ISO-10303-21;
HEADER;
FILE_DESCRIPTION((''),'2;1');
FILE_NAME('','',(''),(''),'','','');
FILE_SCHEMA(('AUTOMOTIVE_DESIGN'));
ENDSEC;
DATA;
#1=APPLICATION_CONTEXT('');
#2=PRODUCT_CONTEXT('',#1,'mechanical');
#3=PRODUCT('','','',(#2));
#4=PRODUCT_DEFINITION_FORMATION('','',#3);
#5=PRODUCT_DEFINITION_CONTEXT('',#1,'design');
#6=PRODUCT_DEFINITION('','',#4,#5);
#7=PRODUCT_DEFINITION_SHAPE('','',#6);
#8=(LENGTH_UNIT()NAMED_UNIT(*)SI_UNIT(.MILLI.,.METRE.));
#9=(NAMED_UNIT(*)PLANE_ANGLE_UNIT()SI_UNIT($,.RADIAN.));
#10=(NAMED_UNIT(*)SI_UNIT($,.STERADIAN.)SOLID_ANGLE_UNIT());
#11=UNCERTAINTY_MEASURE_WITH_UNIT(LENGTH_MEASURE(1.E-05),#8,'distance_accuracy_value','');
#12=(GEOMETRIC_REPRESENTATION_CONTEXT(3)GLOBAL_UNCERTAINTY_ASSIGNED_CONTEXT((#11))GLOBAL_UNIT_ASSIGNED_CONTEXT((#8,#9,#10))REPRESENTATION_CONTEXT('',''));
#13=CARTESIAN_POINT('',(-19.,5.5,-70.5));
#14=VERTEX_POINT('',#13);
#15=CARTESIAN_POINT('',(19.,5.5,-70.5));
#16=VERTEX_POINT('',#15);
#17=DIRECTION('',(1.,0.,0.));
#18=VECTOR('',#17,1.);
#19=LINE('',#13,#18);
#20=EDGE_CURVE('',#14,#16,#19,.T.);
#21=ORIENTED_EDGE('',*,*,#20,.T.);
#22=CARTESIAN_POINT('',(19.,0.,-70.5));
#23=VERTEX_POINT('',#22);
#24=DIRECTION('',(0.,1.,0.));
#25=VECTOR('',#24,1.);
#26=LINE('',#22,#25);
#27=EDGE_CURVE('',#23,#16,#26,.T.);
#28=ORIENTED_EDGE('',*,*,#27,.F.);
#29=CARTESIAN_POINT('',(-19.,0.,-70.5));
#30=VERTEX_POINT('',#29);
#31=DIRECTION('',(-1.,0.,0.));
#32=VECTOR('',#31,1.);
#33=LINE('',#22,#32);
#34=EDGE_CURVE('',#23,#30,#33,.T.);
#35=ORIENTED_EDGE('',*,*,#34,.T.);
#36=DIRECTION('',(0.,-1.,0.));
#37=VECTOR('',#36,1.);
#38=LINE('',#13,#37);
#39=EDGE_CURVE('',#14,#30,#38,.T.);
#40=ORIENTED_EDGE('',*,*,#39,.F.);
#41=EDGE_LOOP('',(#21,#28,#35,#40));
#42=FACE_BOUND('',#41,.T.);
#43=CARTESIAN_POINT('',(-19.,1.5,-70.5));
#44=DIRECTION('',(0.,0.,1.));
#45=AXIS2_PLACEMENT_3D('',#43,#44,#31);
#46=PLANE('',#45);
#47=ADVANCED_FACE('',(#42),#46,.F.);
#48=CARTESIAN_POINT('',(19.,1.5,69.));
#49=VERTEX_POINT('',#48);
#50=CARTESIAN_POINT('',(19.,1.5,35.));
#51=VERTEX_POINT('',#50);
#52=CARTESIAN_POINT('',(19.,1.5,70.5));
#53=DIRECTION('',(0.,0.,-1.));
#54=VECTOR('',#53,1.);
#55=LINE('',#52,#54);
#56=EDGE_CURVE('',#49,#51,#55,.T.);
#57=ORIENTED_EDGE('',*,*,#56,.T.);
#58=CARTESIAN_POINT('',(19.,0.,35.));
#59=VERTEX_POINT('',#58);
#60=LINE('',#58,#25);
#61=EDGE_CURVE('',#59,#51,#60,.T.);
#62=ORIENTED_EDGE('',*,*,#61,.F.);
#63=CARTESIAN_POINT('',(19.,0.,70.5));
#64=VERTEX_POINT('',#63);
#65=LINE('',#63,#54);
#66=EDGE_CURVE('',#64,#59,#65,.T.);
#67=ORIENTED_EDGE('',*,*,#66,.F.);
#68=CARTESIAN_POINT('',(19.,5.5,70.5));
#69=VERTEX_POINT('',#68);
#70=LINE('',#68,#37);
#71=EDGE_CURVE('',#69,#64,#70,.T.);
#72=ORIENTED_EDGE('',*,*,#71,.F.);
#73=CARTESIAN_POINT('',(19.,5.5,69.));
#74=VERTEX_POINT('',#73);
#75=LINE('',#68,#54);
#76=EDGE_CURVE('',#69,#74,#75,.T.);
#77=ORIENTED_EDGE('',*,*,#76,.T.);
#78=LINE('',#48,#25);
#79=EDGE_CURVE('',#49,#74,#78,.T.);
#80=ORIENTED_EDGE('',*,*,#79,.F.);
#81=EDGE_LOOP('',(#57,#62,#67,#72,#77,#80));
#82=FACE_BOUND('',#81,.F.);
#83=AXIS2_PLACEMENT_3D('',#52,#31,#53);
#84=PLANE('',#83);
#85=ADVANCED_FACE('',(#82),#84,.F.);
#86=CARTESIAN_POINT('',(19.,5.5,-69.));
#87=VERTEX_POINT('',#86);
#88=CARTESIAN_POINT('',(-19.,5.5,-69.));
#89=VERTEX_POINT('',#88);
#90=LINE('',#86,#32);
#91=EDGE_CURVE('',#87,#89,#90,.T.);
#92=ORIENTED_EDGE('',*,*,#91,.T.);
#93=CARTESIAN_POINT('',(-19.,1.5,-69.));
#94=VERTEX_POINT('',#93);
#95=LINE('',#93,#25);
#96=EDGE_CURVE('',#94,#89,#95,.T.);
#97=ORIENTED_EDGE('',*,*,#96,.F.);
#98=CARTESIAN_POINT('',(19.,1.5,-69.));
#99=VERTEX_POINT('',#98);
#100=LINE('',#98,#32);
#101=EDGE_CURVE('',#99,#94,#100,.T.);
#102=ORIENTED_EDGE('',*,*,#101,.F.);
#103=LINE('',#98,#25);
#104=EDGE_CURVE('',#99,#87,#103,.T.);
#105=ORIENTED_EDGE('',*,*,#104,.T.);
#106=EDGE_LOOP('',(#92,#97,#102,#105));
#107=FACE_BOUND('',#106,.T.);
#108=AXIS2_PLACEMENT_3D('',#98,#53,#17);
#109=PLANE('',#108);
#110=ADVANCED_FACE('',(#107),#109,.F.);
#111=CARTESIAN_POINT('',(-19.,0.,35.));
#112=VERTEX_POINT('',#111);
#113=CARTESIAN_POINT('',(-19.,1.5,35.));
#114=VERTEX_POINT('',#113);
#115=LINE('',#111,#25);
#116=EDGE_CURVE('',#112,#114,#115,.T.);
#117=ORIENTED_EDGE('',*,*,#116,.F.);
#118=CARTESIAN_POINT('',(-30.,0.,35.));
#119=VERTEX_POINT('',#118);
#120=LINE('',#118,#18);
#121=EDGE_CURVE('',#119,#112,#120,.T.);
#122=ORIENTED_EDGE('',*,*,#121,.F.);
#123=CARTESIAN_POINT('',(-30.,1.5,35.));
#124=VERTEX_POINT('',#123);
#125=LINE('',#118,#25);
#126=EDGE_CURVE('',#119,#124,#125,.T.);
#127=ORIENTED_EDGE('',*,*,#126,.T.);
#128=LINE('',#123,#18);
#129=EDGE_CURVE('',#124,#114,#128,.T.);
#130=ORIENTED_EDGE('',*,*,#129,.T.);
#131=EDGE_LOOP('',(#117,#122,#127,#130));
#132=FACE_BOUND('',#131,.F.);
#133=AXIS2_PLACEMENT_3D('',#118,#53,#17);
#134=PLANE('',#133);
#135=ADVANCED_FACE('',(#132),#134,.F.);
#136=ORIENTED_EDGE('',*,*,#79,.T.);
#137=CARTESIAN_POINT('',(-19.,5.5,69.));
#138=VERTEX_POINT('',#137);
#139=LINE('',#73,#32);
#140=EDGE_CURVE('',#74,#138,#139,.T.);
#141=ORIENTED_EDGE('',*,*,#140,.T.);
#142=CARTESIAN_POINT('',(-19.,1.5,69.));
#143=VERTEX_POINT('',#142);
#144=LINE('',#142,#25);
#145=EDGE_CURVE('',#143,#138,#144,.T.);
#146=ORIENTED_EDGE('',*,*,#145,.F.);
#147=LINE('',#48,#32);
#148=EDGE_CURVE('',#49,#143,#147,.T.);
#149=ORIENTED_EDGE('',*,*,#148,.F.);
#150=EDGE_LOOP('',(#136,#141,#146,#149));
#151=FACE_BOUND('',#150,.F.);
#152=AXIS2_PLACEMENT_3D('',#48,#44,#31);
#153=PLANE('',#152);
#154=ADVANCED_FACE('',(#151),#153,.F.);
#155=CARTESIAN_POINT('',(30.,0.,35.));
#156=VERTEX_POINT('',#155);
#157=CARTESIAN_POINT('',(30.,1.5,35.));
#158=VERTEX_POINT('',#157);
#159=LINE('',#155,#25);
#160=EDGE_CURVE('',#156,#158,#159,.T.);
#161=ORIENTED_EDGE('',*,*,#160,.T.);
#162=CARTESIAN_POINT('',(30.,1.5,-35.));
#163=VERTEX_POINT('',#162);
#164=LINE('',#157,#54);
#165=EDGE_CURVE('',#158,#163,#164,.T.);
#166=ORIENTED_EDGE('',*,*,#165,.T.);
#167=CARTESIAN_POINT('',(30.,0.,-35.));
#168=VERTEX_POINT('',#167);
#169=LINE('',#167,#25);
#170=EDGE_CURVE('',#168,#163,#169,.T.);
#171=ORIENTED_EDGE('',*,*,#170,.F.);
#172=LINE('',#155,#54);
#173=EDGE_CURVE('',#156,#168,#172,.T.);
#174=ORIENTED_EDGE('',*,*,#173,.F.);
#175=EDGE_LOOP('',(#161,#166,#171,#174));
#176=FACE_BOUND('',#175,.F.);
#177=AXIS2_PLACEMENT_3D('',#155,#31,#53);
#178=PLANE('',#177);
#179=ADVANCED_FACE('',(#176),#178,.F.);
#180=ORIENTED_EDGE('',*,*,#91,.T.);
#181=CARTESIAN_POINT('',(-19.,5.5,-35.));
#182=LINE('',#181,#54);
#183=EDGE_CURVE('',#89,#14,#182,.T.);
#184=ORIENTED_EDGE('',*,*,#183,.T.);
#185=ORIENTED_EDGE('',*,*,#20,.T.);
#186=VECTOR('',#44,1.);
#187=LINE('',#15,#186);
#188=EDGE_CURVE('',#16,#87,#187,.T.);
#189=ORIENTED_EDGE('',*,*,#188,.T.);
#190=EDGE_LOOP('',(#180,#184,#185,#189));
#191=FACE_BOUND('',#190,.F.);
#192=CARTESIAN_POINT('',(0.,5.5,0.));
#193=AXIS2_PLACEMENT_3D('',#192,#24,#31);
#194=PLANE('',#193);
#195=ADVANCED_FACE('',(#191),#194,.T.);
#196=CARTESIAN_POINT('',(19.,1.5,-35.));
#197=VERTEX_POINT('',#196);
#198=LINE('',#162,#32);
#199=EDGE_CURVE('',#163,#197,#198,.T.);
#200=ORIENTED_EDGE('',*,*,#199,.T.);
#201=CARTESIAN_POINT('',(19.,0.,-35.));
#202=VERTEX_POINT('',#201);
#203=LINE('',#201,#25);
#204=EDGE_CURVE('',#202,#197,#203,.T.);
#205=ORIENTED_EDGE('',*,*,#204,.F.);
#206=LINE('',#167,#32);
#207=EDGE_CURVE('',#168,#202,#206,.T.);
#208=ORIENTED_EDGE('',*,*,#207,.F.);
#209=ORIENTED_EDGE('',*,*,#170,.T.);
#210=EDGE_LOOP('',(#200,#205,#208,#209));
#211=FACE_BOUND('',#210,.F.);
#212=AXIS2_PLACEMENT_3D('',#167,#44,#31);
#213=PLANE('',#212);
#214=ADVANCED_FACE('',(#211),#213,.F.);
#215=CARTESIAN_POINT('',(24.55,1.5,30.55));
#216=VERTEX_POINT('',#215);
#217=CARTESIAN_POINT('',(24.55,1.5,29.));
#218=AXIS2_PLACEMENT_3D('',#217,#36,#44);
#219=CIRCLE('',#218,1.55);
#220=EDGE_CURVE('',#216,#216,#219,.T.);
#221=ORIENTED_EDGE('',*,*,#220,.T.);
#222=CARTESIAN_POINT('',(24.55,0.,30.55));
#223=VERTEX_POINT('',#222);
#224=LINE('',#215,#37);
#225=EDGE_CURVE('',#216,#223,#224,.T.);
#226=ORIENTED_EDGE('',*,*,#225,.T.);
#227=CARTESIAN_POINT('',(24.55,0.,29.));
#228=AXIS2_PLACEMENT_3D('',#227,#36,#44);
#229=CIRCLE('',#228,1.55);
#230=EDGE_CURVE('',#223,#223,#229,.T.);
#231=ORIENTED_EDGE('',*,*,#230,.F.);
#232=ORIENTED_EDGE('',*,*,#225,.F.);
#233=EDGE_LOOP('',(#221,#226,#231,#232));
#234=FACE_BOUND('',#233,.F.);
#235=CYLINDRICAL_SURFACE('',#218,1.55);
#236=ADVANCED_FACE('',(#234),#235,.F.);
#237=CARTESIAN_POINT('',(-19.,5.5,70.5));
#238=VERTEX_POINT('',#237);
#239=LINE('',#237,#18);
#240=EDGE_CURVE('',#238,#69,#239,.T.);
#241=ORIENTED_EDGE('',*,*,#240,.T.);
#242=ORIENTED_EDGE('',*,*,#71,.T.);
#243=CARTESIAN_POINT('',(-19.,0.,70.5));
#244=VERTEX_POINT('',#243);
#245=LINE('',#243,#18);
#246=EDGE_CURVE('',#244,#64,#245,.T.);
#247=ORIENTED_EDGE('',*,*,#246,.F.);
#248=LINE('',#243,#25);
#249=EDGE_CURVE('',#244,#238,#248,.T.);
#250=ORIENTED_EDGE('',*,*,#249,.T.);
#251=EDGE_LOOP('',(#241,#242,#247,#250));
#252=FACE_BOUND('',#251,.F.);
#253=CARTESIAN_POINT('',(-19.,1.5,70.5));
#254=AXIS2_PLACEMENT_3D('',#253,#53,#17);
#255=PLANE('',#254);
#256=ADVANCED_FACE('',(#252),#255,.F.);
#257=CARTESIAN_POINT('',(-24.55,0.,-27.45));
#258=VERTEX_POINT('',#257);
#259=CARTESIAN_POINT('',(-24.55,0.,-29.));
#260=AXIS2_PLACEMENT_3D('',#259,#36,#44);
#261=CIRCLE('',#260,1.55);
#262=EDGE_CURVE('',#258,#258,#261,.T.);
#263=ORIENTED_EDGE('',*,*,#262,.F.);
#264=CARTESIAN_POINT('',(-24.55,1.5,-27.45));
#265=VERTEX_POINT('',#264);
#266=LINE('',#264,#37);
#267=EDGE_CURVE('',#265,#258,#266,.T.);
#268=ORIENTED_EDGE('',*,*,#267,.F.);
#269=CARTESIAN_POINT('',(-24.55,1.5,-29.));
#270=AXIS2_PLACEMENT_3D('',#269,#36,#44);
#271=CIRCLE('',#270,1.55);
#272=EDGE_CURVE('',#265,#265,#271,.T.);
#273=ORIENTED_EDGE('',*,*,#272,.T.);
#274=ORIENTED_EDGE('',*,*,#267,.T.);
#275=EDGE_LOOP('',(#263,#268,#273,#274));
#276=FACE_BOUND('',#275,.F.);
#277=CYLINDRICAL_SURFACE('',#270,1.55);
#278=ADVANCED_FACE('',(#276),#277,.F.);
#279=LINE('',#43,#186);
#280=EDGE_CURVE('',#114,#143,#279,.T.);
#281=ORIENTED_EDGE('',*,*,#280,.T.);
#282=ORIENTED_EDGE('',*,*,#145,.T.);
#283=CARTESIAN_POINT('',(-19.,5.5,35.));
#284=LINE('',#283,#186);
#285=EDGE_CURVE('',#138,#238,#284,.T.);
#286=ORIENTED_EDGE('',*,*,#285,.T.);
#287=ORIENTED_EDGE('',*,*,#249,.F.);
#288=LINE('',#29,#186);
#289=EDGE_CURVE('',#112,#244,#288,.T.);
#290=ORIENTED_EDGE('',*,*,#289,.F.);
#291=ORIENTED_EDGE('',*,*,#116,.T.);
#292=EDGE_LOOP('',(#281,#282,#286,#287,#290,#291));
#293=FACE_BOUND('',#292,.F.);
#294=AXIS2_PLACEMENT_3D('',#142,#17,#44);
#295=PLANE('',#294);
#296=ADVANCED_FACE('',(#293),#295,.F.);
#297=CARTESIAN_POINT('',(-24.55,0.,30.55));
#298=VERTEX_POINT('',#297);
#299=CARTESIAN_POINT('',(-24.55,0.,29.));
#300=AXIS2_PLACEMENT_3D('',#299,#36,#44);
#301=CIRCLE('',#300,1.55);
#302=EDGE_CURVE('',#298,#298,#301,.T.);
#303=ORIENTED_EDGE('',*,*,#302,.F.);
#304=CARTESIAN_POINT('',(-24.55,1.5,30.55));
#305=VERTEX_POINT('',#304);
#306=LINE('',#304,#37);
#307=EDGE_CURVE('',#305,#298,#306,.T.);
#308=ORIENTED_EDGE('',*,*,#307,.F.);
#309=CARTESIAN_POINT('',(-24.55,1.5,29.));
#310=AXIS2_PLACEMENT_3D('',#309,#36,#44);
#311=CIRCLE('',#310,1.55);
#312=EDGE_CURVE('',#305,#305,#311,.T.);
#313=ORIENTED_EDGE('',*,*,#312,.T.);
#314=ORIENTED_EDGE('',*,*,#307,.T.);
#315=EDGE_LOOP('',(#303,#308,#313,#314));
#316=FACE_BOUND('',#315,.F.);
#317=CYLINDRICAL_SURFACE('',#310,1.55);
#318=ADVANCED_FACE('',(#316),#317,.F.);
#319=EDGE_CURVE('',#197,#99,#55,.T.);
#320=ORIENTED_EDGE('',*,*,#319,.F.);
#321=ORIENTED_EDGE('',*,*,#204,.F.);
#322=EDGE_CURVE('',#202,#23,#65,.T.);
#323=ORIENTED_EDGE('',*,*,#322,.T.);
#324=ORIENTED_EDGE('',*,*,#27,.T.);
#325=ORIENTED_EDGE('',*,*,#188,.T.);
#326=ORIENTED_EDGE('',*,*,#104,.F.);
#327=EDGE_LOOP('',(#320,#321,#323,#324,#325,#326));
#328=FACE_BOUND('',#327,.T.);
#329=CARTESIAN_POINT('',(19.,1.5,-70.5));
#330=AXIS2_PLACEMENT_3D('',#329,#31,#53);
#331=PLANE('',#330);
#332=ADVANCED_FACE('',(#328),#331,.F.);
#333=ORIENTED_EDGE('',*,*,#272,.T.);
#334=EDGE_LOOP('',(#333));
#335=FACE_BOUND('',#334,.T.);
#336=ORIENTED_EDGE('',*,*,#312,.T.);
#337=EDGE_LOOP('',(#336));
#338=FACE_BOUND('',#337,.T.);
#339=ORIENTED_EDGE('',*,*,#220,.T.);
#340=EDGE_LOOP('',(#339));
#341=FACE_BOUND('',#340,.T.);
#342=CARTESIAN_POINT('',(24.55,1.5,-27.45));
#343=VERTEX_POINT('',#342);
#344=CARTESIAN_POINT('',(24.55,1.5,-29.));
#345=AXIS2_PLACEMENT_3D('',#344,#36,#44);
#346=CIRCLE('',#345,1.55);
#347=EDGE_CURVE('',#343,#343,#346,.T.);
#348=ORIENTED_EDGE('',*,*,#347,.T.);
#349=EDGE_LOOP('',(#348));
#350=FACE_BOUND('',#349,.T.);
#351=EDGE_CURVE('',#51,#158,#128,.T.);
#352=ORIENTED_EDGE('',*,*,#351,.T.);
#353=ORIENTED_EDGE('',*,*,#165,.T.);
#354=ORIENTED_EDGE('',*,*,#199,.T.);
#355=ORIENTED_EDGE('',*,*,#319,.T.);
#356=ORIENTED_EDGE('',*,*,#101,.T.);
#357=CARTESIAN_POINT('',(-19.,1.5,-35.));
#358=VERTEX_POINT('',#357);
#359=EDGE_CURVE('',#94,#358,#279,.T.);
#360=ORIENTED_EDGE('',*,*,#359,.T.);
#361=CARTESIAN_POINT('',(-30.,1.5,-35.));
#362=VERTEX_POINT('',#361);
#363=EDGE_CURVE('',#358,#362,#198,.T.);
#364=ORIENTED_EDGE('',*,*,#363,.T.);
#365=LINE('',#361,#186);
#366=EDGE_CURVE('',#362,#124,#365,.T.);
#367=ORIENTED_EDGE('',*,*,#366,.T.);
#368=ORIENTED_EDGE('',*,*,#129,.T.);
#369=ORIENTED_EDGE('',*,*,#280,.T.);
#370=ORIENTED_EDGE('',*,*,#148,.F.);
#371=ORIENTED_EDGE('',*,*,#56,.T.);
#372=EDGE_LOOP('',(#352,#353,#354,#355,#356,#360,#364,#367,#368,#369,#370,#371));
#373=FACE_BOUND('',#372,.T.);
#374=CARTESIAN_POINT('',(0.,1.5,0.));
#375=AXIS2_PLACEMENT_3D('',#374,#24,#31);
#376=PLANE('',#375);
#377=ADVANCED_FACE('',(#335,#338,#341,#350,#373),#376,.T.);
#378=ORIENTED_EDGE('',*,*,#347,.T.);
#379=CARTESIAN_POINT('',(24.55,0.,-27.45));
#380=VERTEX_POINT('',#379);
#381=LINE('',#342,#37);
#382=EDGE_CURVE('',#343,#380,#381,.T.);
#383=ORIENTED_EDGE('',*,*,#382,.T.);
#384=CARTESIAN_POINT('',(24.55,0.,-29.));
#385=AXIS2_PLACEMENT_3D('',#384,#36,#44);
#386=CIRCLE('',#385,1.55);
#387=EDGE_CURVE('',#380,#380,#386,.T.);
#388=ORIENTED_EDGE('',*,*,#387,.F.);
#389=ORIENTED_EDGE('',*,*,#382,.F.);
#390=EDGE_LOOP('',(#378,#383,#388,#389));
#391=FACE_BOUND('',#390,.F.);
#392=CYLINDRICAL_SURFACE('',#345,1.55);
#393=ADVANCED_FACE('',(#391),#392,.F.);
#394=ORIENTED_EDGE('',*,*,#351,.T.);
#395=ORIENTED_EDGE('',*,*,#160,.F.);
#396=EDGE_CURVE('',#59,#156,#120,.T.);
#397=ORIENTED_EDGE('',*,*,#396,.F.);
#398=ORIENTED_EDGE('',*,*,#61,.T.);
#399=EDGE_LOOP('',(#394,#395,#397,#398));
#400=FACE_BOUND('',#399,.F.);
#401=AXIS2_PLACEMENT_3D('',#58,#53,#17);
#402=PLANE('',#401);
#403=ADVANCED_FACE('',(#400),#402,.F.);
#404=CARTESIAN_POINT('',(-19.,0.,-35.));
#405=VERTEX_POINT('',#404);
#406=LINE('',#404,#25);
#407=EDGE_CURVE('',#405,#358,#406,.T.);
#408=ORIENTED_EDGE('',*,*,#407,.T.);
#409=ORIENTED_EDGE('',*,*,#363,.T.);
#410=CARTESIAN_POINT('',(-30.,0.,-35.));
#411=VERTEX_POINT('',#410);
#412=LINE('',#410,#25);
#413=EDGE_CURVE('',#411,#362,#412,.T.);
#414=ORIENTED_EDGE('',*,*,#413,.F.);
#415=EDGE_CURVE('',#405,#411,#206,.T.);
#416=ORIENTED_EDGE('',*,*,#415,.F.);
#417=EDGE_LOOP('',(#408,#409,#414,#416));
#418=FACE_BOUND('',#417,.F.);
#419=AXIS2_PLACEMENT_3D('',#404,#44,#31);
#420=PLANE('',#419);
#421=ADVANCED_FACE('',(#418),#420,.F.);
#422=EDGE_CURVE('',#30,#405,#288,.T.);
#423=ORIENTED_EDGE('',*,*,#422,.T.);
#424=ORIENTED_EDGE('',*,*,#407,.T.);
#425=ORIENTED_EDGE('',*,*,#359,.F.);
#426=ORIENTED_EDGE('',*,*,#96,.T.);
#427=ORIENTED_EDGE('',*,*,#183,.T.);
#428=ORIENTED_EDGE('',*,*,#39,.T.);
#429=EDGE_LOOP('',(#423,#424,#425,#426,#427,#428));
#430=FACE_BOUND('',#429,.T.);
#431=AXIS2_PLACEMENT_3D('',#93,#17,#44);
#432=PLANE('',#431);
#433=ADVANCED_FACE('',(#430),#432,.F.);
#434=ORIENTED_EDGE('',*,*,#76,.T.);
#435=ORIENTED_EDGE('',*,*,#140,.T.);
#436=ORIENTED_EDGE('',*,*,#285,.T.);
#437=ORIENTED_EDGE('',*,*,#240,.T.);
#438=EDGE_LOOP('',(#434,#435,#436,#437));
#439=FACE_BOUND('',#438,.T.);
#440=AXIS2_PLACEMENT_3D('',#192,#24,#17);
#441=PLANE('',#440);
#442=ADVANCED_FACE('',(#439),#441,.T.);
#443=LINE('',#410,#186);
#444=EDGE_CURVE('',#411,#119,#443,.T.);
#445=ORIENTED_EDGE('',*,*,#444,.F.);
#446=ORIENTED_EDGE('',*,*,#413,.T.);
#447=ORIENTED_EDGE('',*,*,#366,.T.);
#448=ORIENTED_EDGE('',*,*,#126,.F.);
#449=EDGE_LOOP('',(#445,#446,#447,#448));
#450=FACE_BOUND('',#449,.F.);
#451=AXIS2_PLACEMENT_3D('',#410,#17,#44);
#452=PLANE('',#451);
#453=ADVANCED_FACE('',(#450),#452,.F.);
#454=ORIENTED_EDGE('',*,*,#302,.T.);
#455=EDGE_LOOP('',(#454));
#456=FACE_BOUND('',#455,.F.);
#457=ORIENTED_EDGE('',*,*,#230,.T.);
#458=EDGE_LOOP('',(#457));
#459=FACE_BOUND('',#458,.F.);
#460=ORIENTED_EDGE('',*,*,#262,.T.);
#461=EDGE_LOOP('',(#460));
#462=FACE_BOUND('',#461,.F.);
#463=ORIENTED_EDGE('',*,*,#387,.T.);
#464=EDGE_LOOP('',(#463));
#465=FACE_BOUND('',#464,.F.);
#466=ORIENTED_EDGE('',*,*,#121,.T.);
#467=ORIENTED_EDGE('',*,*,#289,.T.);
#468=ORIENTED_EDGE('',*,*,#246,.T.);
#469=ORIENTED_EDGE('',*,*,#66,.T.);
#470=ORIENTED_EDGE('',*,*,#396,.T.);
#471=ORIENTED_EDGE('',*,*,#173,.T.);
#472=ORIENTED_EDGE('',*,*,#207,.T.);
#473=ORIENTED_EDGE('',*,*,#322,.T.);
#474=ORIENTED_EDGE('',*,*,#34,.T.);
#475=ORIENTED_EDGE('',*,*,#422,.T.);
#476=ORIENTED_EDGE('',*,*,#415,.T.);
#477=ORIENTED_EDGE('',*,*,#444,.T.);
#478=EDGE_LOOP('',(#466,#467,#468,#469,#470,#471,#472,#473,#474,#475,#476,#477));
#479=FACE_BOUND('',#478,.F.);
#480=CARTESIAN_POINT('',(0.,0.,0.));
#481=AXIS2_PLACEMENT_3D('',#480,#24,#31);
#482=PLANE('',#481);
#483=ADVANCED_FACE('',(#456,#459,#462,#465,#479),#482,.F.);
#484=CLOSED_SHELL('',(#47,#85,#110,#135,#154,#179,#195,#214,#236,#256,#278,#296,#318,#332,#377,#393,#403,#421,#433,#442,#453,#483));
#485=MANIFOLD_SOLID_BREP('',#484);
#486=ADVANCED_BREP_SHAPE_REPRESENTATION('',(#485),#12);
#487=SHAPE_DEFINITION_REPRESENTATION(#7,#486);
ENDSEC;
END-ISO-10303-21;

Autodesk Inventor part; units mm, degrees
ref_plane "YZ Plane" through (0, 0, 0) normal (1, 0, 0) x (0, 1, 0)
ref_plane "XZ Plane" through (0, 0, 0) normal (0, 1, 0) x (-1, 0, 0)
ref_plane "XY Plane" through (0, 0, 0) normal (0, 0, 1) x (1, 0, 0)
sketch "Boceto1" plane through (0, 0, 0) normal (0, 1, 0) x (-1, 0, 0)
  line L0 (-19, -70.5) -> (19, -70.5)
  line L1 (19, -70.5) -> (19, 70.5)
  line L2 (19, 70.5) -> (-19, 70.5)
  line L3 (-19, 70.5) -> (-19, -70.5)
  line L4 (-19, -70.5) -> (19, 70.5) construction
  line L5 (19, -70.5) -> (-19, 70.5) construction
  line L6 (-30, -35) -> (30, -35)
  line L7 (30, -35) -> (30, 35)
  line L8 (30, 35) -> (-30, 35)
  line L9 (-30, 35) -> (-30, -35)
  line L10 (-30, -35) -> (30, 35) construction
  line L11 (30, -35) -> (-30, 35) construction
  point P0 (0, 0)
  point P1 (-19, 35)
  point P2 (-19, -35)
  point P3 (19, -35)
  point P4 (19, 35)
  dimension "d0" = 141
  dimension "d1" = 38
  dimension "d2" = 70
  dimension "d3" = 60
extrude "Extrusión1" add sketch "Boceto1" along normal blind 1.5
sketch "Boceto2" plane through (0, 1.5, 0) normal (0, 1, 0) x (1, 0, 0)
  line L0 (24.55, 29) -> (-24.55, 29)
  line L1 (-24.55, 29) -> (-24.55, -29)
  line L2 (-24.55, -29) -> (24.55, -29)
  line L3 (24.55, -29) -> (24.55, 29)
  line L4 (24.55, 29) -> (-24.55, -29) construction
  line L5 (-24.55, 29) -> (24.55, -29) construction
  point P0 (0, 0)
  dimension "d6" = 49.1
  dimension "d7" = 58
hole "Agujero1" at (-24.55, 1.5, 29) at (-24.55, 1.5, -29) at (24.55, 1.5, -29) at (24.55, 1.5, 29) direction (0, -1, 0) diameter 3.1 end through all clearance for "Tornillo para maquinaria de cabeza plana" size "M2.5" standard "Perfil M métrico ANSI"
sketch "Boceto3" plane through (0, 1.5, 0) normal (0, 1, 0) x (1, 0, 0)
  line L0 (-19, -35) -> (-19, -70.5) projected
  line L1 (19, -70.5) -> (19, -35) projected
  line L2 (-19, -70.5) -> (19, -70.5)
  line L3 (19, -70.5) -> (19, -69)
  line L4 (19, -69) -> (-19, -69)
  line L5 (-19, -69) -> (-19, -70.5)
  point P0 (0, 0)
  point P1 (19, -70.5)
  dimension "d15" = 1.5
extrude "Extrusión2" add sketch "Boceto3" along normal blind 4
mirror "Simetría1" about plane through (0, 0, 0) normal (0, 0, 1) of "Extrusión2"
properties part number "Soporte_bateria_p1_3DPrint"
